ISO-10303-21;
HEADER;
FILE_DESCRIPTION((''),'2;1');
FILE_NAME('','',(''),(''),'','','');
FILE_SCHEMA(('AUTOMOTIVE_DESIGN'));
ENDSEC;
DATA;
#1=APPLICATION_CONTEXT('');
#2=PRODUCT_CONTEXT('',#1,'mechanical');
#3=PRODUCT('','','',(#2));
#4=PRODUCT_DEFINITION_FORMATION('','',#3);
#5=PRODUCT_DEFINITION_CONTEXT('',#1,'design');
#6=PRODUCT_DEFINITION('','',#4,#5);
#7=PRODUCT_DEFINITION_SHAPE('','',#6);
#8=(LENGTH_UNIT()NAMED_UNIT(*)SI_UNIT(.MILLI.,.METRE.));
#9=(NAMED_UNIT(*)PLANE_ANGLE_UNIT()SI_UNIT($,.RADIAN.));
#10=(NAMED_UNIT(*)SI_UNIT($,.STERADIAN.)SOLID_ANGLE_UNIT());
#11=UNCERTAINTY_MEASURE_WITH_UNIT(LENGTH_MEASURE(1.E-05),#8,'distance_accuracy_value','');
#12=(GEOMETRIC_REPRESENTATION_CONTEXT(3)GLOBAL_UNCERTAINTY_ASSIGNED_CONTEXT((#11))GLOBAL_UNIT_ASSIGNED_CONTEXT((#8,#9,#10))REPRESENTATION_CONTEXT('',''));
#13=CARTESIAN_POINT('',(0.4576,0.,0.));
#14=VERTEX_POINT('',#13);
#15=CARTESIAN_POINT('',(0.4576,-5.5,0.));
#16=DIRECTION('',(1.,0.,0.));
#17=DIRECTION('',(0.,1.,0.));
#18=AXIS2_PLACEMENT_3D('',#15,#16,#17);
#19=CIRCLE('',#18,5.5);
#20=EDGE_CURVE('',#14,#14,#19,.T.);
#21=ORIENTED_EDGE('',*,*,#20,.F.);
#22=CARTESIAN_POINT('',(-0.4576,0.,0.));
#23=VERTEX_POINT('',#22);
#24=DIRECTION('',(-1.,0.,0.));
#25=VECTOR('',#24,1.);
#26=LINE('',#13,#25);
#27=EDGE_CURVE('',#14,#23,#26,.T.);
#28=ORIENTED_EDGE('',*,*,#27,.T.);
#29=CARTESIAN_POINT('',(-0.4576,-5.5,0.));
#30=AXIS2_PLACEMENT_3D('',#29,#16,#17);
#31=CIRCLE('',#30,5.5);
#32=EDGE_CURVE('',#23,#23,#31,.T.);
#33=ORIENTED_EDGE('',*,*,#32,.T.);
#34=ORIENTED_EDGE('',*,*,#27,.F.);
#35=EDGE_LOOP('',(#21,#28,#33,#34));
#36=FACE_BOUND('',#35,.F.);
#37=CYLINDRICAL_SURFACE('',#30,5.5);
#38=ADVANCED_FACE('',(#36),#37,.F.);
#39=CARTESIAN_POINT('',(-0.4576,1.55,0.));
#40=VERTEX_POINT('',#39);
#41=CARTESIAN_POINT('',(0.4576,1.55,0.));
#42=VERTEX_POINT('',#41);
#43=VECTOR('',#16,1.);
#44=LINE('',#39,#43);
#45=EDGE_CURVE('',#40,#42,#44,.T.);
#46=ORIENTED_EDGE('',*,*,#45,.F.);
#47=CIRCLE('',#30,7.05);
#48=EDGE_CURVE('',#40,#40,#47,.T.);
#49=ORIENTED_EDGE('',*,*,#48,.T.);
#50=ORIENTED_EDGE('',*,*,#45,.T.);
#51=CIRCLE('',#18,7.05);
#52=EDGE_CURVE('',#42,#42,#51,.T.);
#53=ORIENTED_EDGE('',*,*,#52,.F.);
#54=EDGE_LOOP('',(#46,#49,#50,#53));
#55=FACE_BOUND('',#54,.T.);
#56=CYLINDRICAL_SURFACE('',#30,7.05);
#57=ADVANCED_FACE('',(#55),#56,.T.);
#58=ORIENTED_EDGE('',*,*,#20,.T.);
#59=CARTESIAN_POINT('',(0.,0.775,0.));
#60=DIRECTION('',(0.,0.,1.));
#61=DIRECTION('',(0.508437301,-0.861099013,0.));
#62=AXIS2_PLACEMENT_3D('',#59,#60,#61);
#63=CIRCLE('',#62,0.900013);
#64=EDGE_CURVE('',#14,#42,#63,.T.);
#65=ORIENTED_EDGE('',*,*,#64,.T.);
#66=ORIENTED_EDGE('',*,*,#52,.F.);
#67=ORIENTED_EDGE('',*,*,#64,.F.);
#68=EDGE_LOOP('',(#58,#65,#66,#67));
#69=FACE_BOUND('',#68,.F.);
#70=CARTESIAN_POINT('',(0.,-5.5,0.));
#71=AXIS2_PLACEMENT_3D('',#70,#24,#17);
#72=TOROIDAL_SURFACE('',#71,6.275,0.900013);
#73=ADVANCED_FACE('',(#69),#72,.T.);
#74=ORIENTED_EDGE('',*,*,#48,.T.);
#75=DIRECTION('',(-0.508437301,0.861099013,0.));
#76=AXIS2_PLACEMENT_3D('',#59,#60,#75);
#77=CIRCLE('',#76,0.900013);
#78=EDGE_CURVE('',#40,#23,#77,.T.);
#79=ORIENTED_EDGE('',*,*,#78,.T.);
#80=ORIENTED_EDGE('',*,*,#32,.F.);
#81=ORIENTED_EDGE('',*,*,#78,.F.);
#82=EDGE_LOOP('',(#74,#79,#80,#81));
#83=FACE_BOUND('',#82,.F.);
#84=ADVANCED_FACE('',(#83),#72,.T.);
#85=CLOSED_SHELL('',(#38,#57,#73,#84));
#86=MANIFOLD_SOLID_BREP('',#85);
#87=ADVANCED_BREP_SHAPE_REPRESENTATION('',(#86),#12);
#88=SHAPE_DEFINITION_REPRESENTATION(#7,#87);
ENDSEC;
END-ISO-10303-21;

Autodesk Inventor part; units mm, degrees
ref_plane "YZ Plane" through (0, 0, 0) normal (1, 0, 0) x (0, 1, 0)
ref_plane "XZ Plane" through (0, 0, 0) normal (0, 1, 0) x (-1, 0, 0)
ref_plane "XY Plane" through (0, 0, 0) normal (0, 0, 1) x (1, 0, 0)
sketch "Sketch1" plane through (0, 0, 0) normal (0, 0, 1) x (1, 0, 0)
  line L0 (-0.0113, 0) -> (-0.0113, 0) construction
  line L1 (-0.4576, 1.55) -> (0.4576, 1.55)
  line L2 (-0.4576, 0) -> (0.4576, 0)
  arc A0 (-0.4576, 1.55) -> (-0.4576, 0) centre (0, 0.775) ccw
  line L3 (-4, -5.5) -> (6.0335, -5.5)
  line L4 (-6.0067, 0) -> (8.0403, 0) projected
  line L5 (0, 4.64) -> (0, -12.44) projected
  arc A1 (0.4576, 0) -> (0.4576, 1.55) centre (0, 0.775) ccw
  dimension "d0" = 11
  dimension "d1" = 0.775
  dimension "d2" = 0.9
  dimension "d3" = 0.775
  dimension "d4" = 1.55
revolve "Body" add sketch "Sketch1" angle 360 about axis through (-4, -5.5, 0) along (1, 0, 0)
equation "\"d0\" = NND"
equation "\"d1\" = -0.25 * NND + 0.25 * NDOR"
equation "\"d2\" = 0.5 * QDM"
equation "\"d3\" = -0.25 * NND + 0.25 * NDOR"
equation "\"d4\" = -0.5 * NND + 0.5 * NDOR"
equation "\"QDM\" = 1.8"
equation "\"NND\" = 11"
equation "\"NDOR\" = 14.1"
equation "\"R1\" = 0.3"
equation "\"R2\" = 0.2"
equation "\"SD1\" = 11.2"
equation "\"NB1\" = 2.2"
equation "\"BD\" = 11.12"
equation "\"NTOR\" = -0.5 * NND + 0.5 * NDOR"
properties part number "ISO 3601-1 - A 0112 G" material "Rubber"
